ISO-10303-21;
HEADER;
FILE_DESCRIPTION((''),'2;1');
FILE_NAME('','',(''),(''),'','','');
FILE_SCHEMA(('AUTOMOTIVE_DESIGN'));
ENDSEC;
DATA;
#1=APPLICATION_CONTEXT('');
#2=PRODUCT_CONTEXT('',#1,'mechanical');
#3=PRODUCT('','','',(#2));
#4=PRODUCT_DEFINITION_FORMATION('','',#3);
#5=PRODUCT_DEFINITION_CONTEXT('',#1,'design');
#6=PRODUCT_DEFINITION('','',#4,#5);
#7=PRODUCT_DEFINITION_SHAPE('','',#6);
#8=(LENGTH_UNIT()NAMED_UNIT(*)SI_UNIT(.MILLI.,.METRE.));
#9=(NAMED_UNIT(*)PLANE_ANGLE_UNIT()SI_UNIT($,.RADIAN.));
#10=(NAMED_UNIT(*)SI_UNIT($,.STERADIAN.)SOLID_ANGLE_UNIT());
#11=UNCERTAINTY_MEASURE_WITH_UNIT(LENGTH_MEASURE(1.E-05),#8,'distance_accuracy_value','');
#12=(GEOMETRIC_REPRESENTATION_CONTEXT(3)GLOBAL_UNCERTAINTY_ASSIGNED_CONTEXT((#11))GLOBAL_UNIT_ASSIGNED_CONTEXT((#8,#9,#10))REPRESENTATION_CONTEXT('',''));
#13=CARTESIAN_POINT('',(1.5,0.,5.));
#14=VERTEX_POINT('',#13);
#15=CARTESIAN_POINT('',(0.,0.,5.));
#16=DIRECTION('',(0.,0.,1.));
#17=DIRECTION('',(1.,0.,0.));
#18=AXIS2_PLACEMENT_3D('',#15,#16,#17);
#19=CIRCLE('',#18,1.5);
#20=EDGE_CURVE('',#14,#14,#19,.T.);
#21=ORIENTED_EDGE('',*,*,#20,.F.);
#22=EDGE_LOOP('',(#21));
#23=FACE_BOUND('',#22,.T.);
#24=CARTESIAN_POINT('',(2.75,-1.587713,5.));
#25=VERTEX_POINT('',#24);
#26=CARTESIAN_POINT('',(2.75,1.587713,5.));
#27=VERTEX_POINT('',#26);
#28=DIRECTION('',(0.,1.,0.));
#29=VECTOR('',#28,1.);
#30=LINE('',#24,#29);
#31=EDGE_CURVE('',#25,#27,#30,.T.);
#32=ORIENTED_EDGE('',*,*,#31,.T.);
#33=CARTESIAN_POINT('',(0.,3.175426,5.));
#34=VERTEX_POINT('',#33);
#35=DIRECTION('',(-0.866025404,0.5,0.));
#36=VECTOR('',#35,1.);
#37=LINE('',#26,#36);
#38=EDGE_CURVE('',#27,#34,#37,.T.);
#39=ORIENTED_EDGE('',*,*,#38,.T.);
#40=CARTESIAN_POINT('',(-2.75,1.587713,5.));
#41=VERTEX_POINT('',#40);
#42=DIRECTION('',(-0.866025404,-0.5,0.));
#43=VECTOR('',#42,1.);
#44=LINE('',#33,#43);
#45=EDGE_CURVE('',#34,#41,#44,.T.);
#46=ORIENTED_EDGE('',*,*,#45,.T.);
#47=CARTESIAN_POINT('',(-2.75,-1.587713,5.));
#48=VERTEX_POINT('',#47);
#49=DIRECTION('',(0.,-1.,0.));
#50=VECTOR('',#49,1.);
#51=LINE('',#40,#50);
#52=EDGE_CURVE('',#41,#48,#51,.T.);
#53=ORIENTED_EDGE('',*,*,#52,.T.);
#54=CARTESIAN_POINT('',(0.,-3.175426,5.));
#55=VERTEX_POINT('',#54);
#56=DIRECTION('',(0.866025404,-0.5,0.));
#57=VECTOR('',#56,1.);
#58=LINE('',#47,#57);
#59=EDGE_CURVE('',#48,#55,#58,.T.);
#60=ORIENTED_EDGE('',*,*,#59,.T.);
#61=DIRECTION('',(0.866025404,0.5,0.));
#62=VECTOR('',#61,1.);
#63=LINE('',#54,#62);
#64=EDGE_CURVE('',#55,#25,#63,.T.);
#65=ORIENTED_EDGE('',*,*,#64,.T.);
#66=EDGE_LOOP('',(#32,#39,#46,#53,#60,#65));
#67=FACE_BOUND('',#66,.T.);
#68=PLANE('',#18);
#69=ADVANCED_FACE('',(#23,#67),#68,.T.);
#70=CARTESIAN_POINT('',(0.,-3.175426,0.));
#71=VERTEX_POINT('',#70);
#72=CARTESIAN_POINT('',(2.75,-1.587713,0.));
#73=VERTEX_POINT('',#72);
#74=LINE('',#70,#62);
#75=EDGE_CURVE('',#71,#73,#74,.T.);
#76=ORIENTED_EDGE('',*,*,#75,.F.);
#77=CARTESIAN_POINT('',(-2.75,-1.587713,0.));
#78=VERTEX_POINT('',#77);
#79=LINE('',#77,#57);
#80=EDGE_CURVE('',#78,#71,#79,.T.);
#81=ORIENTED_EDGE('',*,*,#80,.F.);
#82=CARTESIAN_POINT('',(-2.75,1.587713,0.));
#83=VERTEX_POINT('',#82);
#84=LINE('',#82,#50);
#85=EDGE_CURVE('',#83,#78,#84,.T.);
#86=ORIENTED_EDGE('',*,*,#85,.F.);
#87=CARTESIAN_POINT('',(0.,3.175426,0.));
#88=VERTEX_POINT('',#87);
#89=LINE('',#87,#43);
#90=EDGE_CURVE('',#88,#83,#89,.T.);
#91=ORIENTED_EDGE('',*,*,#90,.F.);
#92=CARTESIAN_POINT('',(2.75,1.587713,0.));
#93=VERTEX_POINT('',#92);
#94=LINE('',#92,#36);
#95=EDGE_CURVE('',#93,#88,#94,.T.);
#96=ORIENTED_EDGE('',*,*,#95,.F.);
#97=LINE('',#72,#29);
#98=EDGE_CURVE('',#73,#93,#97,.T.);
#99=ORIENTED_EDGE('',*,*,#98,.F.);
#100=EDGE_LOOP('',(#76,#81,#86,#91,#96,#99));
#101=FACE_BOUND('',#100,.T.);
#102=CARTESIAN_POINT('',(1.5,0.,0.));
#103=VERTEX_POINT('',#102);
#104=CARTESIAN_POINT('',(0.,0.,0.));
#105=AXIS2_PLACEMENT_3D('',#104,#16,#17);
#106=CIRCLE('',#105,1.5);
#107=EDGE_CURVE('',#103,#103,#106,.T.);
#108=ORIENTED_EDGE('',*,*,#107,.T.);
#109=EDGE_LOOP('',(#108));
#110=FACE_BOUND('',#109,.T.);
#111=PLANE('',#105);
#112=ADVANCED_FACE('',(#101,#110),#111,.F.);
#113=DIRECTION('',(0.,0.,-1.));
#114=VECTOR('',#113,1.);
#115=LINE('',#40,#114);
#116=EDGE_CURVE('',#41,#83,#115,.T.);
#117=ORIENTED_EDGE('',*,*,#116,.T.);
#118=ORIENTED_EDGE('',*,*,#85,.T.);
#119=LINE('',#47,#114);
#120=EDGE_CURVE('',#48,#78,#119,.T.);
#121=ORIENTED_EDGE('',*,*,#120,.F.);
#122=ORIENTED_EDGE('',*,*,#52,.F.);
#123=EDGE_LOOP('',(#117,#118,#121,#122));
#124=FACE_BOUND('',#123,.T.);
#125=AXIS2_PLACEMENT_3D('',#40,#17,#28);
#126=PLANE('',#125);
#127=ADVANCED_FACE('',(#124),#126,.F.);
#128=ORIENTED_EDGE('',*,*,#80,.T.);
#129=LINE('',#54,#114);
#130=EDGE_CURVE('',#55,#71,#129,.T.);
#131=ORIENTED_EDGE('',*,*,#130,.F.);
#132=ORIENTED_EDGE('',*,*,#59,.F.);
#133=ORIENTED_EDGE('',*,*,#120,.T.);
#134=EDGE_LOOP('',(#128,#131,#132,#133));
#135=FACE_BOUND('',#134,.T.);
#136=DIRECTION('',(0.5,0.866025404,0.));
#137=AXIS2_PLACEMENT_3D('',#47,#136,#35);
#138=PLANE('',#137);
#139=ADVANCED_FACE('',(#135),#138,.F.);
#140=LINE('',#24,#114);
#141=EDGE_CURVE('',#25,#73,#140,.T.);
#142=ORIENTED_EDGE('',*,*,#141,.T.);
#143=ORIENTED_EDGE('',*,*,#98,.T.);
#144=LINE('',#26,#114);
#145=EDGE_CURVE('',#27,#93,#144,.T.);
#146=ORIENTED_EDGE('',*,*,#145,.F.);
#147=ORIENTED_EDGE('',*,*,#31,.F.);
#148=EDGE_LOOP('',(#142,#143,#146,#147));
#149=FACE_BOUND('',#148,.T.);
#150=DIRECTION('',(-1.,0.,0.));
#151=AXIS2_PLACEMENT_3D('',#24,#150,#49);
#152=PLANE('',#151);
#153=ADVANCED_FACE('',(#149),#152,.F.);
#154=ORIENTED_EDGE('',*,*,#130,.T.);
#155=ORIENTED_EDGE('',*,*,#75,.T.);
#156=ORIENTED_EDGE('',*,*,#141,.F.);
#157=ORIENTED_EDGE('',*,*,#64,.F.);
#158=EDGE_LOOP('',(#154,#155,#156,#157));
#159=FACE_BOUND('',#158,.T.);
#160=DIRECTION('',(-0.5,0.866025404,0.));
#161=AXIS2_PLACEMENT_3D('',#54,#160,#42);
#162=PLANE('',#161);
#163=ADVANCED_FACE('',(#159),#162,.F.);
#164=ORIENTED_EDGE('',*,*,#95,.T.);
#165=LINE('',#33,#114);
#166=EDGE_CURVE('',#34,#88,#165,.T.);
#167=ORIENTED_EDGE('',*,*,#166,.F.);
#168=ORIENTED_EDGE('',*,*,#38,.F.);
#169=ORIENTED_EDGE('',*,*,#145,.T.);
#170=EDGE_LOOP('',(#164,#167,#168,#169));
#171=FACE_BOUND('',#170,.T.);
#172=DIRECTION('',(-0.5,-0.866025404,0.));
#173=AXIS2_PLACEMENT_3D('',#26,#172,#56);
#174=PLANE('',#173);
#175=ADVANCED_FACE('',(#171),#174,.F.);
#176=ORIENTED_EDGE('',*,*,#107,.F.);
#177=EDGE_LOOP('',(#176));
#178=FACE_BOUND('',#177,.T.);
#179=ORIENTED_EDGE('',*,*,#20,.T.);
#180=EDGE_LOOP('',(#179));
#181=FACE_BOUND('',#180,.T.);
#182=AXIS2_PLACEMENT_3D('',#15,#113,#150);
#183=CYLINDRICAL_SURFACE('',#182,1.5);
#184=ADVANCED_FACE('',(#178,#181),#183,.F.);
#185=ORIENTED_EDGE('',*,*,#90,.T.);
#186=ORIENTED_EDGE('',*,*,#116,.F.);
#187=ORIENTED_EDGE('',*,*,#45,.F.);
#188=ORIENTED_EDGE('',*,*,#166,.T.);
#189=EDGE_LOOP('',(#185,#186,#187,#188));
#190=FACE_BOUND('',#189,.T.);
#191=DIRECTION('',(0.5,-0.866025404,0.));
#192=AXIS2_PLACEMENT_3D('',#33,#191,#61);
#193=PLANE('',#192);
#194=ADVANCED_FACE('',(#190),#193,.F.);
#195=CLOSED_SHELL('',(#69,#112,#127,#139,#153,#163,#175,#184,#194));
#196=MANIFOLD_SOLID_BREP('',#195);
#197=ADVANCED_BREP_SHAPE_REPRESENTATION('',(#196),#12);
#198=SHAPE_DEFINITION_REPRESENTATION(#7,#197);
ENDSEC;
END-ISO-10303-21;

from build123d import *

# Parameters (mm, degrees)
SKETCH_1_R      = 1.5
EXTRUDE_1_DEPTH = 5


with BuildPart() as part:
    # Эскиз1 → Бобышка-Вытянуть1 (new body)
    with BuildSketch(Plane.XY):
        Polygon((0, -3.175426481), (2.75, -1.58771324), (2.75, 1.58771324), (0, 3.175426481), (-2.75, 1.58771324), (-2.75, -1.58771324), align=None)
        Circle(SKETCH_1_R, mode=Mode.SUBTRACT)
    extrude(amount=EXTRUDE_1_DEPTH)


solid = part.part
